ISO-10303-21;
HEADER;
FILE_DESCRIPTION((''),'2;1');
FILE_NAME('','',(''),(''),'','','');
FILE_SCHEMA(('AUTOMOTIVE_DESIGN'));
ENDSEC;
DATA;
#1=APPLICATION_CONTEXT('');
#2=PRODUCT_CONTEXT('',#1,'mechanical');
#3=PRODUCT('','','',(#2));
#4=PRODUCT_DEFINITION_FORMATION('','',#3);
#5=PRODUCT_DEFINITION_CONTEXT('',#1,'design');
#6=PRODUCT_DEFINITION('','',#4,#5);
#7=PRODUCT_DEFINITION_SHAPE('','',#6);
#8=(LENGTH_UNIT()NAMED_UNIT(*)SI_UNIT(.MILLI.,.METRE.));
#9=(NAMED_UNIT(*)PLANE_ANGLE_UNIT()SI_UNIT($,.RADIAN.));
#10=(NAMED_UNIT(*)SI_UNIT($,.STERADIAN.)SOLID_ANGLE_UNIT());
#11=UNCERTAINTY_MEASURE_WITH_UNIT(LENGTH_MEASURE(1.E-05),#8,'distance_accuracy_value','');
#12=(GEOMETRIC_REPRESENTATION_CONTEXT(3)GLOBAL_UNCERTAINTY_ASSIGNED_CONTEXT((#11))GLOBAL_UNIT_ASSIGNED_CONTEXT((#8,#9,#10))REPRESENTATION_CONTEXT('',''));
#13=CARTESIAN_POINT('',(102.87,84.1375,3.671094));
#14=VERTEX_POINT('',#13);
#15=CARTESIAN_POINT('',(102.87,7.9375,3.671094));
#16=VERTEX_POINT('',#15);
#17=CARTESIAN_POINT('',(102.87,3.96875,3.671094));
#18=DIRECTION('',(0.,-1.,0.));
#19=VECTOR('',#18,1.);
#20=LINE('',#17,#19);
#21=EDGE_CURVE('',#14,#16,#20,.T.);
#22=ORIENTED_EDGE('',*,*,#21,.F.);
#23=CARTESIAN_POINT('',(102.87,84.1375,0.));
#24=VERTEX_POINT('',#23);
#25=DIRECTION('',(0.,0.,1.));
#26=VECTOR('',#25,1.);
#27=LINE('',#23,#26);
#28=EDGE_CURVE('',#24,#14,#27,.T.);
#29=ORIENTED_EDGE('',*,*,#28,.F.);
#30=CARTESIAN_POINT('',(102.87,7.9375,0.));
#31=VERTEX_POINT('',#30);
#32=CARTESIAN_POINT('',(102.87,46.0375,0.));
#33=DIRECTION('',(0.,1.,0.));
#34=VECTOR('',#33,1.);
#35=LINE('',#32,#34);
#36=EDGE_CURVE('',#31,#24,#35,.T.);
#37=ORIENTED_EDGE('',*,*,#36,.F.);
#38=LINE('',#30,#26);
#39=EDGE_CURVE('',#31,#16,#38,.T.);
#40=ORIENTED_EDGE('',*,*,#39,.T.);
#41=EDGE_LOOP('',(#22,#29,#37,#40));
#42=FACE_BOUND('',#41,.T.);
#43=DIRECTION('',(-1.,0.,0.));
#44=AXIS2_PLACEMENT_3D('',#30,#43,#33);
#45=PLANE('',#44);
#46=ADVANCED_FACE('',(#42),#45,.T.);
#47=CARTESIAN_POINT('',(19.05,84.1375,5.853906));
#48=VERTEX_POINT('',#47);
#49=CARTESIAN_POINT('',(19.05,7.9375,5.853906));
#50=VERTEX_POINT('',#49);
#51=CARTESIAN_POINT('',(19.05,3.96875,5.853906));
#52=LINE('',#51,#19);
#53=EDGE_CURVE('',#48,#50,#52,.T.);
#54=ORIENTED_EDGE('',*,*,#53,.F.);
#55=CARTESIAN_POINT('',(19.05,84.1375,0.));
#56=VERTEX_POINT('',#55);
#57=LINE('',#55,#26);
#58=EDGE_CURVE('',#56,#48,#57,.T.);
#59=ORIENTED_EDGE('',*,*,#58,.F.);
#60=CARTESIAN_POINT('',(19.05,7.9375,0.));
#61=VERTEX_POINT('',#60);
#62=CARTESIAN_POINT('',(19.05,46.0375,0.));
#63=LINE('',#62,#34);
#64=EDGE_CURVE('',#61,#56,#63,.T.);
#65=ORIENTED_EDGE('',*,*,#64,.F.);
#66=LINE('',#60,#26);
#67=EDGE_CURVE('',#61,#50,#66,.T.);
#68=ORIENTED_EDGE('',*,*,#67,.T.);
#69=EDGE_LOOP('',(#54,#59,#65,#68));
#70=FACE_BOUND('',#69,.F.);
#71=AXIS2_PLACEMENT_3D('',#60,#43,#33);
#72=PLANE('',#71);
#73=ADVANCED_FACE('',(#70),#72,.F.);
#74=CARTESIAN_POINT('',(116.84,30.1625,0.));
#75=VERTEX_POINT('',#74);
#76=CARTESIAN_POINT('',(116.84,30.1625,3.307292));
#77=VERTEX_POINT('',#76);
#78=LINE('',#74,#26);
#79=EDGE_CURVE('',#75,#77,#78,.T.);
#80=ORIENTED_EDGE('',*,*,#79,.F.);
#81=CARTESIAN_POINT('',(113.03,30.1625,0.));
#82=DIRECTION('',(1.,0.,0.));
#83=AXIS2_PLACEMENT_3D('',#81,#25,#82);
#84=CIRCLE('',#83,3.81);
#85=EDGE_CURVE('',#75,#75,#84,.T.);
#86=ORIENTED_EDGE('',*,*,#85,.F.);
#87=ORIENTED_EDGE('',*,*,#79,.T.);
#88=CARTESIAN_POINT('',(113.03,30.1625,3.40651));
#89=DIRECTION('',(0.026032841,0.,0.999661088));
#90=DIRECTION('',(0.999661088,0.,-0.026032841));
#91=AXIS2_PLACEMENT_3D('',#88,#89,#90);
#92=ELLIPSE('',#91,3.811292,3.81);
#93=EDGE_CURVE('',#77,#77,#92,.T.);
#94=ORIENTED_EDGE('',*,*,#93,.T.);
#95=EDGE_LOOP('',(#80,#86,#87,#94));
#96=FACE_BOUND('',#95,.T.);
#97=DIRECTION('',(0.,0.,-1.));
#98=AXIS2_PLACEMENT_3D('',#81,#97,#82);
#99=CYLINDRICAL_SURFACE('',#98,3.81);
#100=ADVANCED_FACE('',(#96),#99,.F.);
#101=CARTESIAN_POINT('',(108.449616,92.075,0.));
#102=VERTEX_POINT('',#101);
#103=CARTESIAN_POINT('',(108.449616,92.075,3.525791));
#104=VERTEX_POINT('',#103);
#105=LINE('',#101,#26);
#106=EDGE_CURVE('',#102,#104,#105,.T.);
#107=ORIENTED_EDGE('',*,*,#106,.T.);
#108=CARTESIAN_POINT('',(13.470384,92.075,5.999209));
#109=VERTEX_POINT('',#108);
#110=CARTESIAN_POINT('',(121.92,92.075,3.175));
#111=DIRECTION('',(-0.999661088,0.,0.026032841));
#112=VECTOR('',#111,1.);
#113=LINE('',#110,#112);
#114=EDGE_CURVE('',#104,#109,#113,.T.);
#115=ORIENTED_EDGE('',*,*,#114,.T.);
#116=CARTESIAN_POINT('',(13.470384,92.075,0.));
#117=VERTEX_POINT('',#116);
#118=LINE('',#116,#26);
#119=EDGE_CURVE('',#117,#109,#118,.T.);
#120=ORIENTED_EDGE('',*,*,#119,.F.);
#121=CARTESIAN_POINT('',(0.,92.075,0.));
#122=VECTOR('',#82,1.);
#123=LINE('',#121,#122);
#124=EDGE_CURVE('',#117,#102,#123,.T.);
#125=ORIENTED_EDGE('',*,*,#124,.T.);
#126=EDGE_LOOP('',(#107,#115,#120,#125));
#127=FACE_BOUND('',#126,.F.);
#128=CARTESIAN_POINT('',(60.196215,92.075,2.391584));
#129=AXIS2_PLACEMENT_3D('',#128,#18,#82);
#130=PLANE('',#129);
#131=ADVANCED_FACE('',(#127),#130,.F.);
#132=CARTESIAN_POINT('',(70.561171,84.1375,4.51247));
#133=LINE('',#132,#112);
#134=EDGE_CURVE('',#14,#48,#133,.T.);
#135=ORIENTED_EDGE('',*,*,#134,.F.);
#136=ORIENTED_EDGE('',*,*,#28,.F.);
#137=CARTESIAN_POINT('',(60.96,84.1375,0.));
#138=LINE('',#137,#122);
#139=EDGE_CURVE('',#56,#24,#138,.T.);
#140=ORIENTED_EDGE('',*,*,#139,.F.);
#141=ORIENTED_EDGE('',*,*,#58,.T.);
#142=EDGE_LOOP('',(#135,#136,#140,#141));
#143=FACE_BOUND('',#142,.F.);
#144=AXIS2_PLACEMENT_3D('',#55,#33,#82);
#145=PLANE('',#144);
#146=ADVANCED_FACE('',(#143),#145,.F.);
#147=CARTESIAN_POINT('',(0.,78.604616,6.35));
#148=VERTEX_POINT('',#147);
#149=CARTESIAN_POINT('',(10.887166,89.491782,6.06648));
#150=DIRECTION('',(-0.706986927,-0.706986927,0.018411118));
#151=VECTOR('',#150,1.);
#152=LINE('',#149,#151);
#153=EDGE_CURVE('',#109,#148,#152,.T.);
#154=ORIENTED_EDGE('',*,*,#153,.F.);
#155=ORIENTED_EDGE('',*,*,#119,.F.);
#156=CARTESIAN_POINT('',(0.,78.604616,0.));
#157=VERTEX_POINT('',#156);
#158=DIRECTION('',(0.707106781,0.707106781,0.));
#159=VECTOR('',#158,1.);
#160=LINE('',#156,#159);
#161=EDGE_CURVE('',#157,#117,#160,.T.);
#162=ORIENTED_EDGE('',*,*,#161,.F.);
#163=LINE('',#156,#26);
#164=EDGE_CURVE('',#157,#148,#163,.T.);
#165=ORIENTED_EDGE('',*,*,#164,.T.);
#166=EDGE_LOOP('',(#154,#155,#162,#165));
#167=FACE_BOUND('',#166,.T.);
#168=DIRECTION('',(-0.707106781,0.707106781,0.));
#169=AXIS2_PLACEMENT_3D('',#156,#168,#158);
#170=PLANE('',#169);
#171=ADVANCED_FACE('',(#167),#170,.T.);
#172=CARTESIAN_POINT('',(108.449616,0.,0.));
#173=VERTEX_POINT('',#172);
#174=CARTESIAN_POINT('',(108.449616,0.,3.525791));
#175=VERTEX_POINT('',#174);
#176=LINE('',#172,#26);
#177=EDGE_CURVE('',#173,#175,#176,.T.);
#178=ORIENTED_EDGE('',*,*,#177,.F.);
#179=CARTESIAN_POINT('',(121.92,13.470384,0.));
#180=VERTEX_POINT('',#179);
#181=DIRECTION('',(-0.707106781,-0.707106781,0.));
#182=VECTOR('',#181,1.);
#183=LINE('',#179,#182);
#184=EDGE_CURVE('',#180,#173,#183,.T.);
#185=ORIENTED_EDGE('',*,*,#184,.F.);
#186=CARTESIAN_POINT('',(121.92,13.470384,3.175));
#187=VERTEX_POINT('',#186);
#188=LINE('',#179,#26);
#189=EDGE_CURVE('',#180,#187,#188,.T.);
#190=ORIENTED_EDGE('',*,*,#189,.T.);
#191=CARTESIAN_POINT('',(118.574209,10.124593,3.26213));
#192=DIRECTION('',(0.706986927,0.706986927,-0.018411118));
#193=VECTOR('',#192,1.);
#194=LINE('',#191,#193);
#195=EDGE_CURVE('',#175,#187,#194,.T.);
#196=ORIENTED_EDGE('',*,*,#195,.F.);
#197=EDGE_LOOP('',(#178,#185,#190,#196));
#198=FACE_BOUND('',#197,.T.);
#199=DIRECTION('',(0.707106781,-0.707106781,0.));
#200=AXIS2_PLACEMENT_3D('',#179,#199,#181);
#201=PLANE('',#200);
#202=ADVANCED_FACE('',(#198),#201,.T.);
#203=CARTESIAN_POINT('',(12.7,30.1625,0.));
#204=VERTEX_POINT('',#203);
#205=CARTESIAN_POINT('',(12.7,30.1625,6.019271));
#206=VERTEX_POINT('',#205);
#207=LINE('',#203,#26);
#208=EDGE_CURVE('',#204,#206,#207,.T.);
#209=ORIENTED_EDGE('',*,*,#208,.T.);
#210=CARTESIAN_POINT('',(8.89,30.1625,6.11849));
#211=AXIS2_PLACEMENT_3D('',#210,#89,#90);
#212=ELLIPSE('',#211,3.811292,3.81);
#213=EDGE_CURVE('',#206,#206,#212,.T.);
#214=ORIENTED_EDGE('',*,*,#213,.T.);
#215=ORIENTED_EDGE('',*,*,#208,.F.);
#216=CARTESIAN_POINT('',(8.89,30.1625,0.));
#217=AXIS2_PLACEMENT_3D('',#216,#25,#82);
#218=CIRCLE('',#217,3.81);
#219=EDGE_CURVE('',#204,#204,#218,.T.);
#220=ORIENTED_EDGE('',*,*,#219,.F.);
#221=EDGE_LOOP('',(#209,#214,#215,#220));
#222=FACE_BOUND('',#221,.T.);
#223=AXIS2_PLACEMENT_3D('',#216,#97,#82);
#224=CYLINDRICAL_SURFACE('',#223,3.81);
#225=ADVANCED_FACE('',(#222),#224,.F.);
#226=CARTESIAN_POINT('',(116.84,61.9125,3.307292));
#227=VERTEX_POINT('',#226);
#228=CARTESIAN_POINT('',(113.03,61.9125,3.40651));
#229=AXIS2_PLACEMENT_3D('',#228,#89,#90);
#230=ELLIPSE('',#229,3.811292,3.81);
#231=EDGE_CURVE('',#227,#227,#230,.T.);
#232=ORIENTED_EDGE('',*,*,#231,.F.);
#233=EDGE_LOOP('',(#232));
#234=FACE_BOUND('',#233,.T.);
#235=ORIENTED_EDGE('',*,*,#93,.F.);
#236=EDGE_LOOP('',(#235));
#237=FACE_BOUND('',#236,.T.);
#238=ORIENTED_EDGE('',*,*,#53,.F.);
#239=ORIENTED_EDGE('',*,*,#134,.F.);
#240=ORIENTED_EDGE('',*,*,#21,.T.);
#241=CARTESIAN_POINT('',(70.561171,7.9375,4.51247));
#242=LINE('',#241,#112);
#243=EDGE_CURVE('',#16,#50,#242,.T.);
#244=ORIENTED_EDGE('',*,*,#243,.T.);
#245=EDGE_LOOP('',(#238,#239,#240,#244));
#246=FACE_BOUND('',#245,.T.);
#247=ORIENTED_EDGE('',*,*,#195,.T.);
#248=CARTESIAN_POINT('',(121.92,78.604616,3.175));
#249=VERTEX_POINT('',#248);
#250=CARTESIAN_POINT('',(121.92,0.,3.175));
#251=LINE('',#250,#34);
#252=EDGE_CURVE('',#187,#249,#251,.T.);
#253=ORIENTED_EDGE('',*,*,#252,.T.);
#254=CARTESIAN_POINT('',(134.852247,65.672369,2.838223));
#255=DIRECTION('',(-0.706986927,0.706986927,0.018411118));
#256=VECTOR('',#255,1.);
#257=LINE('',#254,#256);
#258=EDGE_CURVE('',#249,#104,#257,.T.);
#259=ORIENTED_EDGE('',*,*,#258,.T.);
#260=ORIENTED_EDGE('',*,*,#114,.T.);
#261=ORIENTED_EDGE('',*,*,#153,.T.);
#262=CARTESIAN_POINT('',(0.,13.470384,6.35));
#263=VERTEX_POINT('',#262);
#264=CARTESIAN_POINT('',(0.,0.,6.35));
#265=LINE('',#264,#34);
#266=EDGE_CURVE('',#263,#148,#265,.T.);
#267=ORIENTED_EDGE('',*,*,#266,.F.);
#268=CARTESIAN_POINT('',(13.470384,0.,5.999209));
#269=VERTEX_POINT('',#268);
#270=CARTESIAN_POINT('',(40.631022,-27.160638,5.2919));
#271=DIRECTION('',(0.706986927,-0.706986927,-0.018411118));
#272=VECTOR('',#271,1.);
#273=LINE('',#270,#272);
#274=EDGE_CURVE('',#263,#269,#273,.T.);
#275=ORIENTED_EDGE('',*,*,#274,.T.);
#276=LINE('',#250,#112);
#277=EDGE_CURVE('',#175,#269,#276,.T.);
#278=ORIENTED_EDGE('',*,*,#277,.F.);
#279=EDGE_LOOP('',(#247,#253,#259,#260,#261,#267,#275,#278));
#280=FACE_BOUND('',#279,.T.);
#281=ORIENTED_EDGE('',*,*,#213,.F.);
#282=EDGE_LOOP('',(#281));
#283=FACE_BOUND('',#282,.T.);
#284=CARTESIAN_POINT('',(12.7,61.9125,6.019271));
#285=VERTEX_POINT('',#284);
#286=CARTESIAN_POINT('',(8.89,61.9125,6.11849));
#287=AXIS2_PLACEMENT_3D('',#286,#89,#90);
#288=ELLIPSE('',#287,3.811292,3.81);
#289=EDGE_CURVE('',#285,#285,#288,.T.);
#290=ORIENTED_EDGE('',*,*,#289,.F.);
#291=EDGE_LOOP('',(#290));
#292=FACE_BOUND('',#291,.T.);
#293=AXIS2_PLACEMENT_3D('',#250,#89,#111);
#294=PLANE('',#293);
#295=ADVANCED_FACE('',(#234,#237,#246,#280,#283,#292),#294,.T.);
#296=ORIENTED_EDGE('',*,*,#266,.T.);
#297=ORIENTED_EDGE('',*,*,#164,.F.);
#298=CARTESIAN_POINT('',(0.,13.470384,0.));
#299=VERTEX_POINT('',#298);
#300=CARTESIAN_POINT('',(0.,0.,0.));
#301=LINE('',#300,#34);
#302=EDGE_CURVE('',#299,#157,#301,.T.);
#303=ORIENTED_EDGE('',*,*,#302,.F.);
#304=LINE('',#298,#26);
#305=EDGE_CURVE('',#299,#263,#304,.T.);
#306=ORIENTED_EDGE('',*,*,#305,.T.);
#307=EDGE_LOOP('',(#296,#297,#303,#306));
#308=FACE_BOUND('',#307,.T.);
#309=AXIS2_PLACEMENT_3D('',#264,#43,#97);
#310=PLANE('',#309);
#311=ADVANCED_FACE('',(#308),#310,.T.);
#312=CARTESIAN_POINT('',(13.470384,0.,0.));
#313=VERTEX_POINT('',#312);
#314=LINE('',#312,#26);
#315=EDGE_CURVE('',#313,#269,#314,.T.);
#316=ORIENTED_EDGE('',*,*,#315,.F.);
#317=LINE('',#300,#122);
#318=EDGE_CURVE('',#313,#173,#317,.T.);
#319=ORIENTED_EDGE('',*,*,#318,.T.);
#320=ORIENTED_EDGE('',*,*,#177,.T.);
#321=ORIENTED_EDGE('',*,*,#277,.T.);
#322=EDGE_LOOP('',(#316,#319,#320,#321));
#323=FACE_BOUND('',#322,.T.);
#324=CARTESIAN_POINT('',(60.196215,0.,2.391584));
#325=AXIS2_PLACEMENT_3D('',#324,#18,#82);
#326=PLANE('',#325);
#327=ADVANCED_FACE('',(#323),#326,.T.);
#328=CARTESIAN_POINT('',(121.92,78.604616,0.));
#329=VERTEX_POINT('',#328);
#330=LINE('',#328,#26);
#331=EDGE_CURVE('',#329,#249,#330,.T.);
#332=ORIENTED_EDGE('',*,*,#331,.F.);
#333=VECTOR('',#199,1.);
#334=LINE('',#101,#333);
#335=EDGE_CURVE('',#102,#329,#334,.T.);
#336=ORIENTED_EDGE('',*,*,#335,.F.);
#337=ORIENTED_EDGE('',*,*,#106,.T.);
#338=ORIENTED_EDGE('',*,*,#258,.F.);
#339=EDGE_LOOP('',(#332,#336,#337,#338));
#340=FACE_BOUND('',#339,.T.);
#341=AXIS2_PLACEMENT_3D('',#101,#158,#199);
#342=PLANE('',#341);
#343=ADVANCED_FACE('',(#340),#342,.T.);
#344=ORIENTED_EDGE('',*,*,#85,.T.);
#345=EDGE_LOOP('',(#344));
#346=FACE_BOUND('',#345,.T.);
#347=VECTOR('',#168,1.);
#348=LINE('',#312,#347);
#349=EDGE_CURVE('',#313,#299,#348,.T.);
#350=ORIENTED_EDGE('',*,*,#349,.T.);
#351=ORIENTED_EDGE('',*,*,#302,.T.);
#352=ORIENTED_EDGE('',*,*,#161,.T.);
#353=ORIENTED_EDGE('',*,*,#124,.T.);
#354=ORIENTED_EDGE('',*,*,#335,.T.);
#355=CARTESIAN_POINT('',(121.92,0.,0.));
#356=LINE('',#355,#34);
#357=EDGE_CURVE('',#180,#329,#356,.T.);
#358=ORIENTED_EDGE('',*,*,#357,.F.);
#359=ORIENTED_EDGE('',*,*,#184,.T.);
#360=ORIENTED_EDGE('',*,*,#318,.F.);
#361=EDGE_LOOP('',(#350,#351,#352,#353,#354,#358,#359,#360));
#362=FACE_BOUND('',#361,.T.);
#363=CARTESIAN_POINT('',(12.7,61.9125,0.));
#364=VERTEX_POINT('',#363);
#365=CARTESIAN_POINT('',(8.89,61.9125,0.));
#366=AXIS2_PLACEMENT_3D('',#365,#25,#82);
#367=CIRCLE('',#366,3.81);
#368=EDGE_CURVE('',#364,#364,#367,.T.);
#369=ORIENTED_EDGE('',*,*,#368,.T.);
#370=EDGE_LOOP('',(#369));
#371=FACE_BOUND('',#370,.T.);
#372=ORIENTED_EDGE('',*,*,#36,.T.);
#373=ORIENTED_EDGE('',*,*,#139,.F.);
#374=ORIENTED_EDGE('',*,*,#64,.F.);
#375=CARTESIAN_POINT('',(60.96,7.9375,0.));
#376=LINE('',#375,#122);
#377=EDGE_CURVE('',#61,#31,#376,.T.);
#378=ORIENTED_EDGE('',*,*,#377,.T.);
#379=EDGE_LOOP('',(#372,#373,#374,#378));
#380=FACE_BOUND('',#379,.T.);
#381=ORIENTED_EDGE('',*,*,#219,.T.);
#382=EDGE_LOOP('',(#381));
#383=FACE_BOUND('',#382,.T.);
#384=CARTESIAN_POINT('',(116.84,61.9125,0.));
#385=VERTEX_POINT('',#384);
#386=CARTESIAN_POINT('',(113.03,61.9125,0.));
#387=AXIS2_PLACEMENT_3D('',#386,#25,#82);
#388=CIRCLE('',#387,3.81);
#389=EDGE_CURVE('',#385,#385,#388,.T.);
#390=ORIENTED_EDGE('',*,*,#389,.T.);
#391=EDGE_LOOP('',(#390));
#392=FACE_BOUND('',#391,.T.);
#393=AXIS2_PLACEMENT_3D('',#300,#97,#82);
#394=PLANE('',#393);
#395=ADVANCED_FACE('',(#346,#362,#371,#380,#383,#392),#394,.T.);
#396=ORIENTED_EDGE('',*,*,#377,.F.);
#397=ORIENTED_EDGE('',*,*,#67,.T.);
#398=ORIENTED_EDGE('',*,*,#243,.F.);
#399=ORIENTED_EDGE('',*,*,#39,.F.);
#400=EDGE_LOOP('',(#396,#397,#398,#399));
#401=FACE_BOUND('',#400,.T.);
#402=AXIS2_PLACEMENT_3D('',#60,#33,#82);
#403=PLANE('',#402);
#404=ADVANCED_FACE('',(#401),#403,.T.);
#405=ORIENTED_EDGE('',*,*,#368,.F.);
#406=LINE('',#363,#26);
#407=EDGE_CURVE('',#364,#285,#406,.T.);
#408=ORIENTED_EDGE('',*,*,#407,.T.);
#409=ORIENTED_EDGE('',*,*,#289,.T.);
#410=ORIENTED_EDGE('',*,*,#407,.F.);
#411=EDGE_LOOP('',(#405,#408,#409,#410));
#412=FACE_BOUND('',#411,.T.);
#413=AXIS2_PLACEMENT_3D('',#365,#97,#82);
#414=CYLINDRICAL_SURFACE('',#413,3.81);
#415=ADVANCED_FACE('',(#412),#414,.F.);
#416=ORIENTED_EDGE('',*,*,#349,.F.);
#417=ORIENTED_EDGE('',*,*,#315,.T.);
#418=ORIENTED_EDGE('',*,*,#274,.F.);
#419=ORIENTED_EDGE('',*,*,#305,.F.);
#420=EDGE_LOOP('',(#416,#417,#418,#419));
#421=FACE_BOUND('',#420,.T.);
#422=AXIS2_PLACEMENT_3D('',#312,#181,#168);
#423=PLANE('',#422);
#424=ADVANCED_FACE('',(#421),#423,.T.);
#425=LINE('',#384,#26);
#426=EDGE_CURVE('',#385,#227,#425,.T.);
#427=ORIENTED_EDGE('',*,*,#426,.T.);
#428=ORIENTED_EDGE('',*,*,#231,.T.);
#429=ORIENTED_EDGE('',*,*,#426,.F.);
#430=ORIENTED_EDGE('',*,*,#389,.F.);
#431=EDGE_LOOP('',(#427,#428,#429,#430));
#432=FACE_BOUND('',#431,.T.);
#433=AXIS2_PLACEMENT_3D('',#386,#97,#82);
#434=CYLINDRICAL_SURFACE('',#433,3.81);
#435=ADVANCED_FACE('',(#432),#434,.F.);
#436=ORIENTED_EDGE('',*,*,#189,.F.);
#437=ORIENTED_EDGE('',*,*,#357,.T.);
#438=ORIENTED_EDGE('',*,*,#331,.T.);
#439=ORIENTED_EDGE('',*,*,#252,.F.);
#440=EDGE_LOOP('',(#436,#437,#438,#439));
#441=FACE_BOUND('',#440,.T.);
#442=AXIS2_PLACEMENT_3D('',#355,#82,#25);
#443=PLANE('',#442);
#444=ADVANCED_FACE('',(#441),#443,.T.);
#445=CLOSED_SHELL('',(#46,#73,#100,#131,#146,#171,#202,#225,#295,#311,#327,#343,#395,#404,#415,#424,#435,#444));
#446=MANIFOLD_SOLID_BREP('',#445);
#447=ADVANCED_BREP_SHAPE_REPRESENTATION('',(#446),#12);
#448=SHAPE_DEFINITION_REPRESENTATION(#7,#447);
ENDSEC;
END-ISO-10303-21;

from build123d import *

# Parameters (mm, degrees)
F1_DEPTH = 92.075
F2_R     = 3.81
F2_W     = 83.82
F2_H     = 76.2
F3_DEPTH = 25.4


with BuildPart() as f1:
    # F0 (on Front) → F1 (new body)
    with BuildSketch(Plane.XZ):
        Polygon((0, 6.35), (0, 0), (121.92, 0), (121.92, 3.175), align=None)
    extrude(amount=-F1_DEPTH)

    # F2 (on Top) → F3 (cut)
    with BuildSketch(Plane.XY):
        with Locations((8.89, 61.9125)):
            Circle(F2_R)
        with Locations((8.89, 30.1625)):
            Circle(F2_R)
        with Locations((113.03, 30.1625)):
            Circle(F2_R)
        with Locations((113.03, 61.9125)):
            Circle(F2_R)
        with Locations((60.96, 46.0375)):
            Rectangle(F2_W, F2_H)
        Polygon((121.92, 92.075), (108.449616, 92.075), (121.92, 78.604616), align=None)
        Polygon((0, 92.075), (0, 78.604616), (13.470384, 92.075), align=None)
        Polygon((0, 13.470384), (0, 0), (13.470384, 0), align=None)
        Polygon((121.92, 13.470384), (108.449616, 0), (121.92, 0), align=None)
    extrude(amount=F3_DEPTH, mode=Mode.SUBTRACT)


solid = f1.part
